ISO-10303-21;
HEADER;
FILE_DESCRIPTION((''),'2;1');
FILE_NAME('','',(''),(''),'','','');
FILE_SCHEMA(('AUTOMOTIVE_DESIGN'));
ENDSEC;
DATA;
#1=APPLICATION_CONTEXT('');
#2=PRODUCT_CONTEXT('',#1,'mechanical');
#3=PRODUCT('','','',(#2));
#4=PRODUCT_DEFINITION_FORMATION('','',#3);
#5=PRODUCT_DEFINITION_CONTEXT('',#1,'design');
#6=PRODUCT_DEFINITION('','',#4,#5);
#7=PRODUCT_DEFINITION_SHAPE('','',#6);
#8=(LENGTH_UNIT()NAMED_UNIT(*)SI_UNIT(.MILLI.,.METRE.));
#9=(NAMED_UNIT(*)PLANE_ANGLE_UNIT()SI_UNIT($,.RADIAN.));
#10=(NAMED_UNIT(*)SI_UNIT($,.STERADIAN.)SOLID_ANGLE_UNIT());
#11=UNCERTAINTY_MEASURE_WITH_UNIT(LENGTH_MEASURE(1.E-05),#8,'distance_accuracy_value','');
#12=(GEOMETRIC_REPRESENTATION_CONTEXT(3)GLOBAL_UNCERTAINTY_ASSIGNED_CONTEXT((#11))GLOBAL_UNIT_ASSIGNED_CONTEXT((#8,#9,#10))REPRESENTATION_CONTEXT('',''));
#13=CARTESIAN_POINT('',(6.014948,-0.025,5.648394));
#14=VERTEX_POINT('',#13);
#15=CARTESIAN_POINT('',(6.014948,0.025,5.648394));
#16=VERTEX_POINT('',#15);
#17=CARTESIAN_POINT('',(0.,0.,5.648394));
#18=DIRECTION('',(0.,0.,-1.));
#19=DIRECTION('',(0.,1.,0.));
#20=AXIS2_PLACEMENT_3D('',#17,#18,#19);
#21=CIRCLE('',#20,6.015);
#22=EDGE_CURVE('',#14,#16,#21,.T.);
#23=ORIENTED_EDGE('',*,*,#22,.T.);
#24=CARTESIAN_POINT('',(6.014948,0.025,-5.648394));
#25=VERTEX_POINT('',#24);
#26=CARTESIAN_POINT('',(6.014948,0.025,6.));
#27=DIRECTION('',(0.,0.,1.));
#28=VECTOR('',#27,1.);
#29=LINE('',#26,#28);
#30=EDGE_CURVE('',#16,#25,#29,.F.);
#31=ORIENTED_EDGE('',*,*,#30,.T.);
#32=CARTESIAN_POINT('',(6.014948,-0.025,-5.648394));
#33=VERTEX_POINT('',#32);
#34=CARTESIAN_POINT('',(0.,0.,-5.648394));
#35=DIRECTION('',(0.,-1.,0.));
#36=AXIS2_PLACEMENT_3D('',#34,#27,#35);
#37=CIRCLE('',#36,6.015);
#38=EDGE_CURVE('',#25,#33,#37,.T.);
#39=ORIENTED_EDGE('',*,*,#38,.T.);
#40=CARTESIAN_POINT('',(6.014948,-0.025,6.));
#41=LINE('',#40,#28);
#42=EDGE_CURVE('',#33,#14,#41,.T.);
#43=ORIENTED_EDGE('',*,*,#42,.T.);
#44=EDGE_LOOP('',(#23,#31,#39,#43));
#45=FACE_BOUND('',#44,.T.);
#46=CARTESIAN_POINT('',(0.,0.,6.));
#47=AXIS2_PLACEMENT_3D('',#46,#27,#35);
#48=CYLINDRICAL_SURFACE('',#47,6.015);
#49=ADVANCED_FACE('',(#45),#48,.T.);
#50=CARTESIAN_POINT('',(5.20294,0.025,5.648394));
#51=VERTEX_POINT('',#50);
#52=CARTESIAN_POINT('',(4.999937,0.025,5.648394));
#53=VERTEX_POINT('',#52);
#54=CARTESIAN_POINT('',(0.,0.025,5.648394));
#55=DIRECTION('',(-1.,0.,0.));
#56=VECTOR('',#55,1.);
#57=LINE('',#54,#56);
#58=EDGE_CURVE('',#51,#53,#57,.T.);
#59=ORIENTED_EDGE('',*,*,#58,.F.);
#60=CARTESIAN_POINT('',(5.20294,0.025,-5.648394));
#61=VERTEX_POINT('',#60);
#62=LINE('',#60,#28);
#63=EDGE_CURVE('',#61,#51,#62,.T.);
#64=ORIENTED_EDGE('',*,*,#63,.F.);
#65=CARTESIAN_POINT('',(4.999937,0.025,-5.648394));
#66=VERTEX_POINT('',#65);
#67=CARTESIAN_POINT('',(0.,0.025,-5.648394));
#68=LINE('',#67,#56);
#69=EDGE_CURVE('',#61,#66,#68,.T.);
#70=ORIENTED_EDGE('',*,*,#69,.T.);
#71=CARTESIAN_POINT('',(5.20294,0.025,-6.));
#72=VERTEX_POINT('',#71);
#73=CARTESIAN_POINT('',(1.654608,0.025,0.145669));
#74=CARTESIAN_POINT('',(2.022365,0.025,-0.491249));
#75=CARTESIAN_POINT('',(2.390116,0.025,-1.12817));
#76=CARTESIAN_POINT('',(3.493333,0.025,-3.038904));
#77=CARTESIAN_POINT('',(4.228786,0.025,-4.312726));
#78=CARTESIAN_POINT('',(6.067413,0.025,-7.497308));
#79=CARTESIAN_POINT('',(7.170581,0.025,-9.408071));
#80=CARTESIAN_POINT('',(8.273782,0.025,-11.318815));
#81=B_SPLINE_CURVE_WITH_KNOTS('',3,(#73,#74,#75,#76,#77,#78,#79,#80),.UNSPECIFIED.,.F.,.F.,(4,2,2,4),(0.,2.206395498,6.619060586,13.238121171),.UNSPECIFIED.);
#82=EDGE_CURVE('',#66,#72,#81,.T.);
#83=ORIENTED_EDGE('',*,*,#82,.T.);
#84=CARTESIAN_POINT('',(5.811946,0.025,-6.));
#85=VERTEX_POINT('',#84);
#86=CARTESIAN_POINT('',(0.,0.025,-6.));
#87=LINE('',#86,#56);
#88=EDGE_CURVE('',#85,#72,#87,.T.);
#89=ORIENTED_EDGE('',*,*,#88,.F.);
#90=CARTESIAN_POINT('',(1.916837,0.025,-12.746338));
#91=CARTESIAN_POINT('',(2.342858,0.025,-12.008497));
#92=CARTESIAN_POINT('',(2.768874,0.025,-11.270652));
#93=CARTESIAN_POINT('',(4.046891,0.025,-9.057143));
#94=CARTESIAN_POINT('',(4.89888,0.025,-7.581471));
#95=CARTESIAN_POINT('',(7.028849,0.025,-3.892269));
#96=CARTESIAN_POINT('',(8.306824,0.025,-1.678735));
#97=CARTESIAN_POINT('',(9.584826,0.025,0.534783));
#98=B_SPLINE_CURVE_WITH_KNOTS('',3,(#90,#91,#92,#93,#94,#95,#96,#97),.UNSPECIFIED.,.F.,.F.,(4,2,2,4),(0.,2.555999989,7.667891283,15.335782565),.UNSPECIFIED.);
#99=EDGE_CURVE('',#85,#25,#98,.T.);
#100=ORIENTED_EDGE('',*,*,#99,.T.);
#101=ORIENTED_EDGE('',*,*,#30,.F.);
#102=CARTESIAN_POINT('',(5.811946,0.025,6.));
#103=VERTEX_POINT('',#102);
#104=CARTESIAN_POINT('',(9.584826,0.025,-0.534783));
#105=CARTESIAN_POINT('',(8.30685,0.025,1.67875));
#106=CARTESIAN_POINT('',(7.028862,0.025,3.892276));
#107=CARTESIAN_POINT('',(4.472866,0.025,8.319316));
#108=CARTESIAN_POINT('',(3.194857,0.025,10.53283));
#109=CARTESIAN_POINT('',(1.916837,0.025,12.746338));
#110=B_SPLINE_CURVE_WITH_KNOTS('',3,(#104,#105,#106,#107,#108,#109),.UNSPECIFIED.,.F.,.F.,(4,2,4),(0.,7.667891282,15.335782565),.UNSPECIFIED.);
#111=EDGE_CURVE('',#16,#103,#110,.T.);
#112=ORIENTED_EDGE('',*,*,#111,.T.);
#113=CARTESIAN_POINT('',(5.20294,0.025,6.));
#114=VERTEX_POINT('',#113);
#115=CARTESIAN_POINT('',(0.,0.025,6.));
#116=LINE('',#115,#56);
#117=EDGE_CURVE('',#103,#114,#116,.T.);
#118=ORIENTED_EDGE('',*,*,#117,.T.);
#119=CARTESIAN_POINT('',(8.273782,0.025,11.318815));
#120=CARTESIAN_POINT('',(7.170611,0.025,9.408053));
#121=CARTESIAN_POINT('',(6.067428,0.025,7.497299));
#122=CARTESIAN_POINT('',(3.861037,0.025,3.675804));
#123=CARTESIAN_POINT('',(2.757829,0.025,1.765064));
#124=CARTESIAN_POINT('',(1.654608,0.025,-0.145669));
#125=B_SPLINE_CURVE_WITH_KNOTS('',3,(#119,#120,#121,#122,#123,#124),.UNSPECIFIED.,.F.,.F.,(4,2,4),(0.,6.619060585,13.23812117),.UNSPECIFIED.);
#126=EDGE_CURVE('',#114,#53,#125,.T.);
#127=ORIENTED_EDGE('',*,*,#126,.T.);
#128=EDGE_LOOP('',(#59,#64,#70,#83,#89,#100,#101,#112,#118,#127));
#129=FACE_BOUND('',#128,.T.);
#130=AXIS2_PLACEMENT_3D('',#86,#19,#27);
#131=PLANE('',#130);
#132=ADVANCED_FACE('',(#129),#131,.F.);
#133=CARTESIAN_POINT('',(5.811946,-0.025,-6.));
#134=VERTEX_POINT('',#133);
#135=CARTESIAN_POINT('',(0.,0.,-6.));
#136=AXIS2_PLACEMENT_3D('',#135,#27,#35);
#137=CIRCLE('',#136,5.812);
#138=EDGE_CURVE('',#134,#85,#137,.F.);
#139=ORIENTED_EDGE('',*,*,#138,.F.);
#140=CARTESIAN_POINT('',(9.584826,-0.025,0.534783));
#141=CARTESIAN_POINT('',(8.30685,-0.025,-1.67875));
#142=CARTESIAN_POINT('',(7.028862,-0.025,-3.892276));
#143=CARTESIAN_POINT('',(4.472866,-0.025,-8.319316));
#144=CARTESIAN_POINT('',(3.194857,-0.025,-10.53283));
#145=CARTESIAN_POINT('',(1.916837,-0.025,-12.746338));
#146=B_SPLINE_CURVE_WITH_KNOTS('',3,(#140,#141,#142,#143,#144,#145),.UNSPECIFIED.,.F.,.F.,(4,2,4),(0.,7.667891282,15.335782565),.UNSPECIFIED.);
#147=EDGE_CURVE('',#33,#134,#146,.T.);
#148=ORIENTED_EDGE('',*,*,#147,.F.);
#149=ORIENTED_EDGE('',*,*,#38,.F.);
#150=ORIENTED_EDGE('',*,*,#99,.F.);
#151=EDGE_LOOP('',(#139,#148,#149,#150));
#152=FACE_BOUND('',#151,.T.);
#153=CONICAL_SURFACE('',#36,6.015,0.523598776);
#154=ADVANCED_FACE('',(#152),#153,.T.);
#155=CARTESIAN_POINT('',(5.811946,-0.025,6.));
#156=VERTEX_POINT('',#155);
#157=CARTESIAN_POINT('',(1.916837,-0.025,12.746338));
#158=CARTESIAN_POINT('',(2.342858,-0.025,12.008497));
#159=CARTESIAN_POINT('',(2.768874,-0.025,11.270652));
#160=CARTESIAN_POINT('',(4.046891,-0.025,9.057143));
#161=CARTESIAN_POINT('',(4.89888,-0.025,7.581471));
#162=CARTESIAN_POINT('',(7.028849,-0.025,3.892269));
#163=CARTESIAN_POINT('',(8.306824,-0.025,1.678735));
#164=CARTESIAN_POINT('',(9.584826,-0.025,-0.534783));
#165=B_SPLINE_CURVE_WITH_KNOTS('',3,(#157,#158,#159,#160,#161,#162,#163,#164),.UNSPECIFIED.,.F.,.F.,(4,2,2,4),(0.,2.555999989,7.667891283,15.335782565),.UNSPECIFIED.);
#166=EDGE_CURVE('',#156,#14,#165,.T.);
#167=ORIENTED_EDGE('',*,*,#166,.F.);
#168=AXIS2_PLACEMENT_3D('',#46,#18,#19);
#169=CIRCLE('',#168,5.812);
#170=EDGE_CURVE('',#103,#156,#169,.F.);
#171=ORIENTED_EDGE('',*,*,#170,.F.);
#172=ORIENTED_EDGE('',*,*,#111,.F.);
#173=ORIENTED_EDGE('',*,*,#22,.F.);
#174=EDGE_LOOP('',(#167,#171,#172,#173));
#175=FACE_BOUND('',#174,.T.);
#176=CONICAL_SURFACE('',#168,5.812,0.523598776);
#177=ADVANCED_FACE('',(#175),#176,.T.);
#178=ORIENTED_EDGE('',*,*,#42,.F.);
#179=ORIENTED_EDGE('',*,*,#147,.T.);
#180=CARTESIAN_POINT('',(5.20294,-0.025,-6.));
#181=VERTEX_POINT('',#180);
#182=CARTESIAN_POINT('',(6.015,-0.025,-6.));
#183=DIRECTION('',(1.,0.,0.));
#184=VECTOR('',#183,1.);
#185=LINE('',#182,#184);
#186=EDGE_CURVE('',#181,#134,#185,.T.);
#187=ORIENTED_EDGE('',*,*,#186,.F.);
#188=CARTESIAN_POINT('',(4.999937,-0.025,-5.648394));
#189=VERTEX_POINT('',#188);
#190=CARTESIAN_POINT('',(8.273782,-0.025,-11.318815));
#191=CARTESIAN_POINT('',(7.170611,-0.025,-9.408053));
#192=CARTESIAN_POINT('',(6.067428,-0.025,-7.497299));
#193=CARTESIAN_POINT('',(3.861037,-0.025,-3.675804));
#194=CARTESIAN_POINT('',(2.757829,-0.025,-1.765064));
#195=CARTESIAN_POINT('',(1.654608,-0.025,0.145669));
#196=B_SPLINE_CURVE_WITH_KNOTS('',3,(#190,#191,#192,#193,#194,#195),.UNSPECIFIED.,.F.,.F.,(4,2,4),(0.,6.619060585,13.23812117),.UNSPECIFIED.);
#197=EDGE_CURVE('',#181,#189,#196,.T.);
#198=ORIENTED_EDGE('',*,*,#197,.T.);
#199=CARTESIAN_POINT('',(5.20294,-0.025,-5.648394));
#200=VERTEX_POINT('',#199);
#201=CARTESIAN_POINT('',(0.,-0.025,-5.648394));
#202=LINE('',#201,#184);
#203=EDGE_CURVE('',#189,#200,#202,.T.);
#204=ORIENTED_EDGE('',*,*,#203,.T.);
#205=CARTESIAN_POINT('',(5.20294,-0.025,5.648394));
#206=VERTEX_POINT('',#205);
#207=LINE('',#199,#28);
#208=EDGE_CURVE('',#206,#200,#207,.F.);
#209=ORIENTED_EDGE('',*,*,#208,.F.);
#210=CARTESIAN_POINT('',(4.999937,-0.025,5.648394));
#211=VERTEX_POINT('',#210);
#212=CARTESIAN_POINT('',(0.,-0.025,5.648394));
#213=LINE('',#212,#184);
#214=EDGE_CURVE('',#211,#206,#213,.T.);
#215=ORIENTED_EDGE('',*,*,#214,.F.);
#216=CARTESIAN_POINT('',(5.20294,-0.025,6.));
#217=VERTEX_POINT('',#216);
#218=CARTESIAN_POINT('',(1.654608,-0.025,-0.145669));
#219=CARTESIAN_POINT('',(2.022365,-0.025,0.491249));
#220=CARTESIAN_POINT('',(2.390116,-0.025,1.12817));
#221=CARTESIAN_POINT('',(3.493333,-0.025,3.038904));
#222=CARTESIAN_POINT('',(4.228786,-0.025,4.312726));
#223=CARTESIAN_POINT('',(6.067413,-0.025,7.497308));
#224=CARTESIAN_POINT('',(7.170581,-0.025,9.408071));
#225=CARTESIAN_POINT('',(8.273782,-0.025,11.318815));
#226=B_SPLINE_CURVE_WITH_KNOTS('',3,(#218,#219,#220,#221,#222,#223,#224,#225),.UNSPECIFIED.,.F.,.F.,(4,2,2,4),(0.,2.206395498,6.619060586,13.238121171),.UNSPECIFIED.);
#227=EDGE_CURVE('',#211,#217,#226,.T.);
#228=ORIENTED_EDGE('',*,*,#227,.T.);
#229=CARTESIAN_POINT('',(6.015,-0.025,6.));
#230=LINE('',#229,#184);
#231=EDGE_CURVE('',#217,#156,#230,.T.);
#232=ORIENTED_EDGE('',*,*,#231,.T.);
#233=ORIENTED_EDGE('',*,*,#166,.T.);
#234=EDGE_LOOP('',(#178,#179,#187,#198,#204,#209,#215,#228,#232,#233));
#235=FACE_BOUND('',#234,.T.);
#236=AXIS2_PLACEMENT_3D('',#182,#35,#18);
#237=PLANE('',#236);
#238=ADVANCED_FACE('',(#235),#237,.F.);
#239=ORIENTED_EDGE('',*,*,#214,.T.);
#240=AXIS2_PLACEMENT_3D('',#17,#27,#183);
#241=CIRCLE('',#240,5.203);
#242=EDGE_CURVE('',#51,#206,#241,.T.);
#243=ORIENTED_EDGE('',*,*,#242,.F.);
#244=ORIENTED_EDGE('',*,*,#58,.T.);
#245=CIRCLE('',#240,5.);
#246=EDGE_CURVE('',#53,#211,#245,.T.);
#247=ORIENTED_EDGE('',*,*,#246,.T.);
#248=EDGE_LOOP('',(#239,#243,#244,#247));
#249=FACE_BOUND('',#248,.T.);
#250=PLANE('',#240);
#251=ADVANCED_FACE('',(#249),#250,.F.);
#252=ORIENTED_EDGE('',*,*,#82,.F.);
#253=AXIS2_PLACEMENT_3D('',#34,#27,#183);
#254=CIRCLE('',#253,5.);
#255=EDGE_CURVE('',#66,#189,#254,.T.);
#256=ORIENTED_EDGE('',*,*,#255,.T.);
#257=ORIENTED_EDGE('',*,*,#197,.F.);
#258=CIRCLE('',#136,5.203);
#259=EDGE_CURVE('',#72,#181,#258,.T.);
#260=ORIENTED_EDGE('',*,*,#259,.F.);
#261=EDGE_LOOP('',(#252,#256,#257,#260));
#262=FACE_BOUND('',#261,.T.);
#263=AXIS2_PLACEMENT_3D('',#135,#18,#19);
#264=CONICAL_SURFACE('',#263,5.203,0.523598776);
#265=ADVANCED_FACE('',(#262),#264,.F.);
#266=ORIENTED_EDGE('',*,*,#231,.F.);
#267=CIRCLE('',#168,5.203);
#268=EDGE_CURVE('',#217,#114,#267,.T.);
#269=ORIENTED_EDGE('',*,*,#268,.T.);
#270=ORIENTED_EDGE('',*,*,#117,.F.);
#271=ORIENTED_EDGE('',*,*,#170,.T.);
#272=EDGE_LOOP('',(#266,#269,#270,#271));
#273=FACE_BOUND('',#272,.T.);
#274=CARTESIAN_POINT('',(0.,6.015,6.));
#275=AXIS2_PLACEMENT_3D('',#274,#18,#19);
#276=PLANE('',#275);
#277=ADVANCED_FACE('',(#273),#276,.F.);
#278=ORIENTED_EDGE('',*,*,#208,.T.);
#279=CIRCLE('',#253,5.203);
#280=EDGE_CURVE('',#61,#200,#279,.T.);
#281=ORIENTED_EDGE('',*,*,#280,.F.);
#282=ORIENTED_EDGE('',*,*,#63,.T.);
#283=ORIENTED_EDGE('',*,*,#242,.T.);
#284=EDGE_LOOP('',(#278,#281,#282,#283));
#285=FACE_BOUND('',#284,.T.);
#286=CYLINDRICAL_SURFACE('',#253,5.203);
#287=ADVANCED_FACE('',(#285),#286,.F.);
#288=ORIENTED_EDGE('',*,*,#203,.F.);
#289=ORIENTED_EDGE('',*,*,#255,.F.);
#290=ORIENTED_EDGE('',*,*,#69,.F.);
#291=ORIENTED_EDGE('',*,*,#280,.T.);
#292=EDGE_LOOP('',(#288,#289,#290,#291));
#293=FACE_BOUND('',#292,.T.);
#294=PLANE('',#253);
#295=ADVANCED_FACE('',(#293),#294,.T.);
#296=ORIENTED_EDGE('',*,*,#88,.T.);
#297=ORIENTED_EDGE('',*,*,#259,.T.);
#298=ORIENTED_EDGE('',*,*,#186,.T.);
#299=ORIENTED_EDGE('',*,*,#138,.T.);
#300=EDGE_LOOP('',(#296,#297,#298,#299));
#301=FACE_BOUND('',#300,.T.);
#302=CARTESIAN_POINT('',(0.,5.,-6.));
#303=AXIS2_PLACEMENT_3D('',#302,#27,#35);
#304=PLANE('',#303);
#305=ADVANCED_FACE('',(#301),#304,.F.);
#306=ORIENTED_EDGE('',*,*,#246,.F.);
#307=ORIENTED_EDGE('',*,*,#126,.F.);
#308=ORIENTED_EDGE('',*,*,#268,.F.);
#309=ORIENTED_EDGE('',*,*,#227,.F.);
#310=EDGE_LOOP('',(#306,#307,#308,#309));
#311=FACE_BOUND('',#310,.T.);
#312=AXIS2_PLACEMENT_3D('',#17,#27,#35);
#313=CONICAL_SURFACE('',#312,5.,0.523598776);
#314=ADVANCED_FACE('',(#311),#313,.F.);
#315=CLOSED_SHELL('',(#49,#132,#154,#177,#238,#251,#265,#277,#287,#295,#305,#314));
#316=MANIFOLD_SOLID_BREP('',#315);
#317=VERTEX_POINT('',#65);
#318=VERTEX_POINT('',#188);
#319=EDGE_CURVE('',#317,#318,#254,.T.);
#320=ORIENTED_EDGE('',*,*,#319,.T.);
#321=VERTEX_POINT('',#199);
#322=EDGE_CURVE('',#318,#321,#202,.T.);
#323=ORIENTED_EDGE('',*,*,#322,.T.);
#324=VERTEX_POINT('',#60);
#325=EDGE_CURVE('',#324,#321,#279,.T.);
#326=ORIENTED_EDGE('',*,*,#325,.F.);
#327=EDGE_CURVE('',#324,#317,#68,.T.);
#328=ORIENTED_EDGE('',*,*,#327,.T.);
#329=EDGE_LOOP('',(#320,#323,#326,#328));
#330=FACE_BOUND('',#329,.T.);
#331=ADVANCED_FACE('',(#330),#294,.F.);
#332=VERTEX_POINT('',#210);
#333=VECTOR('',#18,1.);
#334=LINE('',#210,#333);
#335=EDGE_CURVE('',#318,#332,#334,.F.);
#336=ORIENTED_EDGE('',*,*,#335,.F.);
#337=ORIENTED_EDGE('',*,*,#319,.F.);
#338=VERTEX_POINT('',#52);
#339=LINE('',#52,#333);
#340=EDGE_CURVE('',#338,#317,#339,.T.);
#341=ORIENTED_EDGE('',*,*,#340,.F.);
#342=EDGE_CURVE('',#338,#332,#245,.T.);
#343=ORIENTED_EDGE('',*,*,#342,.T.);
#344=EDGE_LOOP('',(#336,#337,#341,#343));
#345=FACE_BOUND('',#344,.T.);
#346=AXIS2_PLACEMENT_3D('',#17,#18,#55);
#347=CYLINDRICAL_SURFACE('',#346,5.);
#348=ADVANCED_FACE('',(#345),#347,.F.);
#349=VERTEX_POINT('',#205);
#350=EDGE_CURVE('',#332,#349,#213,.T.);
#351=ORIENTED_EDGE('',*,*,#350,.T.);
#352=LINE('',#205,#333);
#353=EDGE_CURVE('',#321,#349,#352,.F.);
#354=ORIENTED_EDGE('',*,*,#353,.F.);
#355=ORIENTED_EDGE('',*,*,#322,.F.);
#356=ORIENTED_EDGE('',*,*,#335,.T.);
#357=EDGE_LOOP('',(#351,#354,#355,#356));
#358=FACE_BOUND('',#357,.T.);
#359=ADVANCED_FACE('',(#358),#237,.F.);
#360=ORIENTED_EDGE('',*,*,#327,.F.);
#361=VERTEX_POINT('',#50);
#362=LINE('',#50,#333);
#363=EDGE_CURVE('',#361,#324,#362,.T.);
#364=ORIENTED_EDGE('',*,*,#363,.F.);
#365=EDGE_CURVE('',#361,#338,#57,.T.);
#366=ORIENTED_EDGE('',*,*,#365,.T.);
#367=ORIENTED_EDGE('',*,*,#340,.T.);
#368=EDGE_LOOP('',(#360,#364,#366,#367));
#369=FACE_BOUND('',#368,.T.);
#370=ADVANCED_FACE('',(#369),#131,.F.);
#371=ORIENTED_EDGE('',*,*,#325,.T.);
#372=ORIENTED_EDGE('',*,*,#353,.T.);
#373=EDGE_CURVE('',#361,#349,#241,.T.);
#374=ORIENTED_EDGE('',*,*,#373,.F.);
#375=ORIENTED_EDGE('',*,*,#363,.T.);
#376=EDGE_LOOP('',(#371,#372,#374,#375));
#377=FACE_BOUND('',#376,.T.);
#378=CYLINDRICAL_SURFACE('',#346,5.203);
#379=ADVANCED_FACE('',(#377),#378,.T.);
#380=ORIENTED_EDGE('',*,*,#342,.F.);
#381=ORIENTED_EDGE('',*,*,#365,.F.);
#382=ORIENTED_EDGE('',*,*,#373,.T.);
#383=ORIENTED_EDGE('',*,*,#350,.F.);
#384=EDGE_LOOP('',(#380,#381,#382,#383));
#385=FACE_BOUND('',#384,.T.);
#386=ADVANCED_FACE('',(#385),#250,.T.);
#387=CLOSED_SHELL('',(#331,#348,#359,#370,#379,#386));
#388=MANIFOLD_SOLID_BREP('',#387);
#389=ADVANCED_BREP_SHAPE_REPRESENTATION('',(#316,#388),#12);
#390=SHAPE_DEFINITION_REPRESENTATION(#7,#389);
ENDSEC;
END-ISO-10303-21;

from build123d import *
from OCP.BRepFilletAPI import BRepFilletAPI_MakeChamfer

# Parameters (mm, degrees)
SKETCH3_W                = 12
SKETCH3_H                = 1.015
CHAMFER1_SIZE            = 0.203
CHAMFER1_SIZE2           = 0.351606314
CHAMFER2_SIZE            = 0.203
CHAMFER2_SIZE2           = 0.351606314
CUT_EXTRUDE1_DEPTH       = 5.648394
CUT_EXTRUDE1_DEPTH_BACK  = 5.648394
SKETCH5_R                = 5.203
BOSS_EXTRUDE1_DEPTH      = 5.648394
BOSS_EXTRUDE1_DEPTH_BACK = 5.648394
SKETCH6_R                = 5.203
SKETCH6_R_2              = 5
CUT_EXTRUDE2_DEPTH       = 11.409632558
CUT_EXTRUDE2_DEPTH_BACK  = 11.409632558
SKETCH7_W                = 6.015
SKETCH7_H                = 0.05


with BuildPart() as part:
    # Sketch3 → Revolve1 (revolve)
    with BuildSketch(Plane(origin=(0, 0, 0), x_dir=(0, 0, -1), z_dir=(1, 0, 0)), mode=Mode.PRIVATE) as revolve1_sk:
        with Locations((0, 5.5075)):
            Rectangle(SKETCH3_W, SKETCH3_H)
    revolve(revolve1_sk.sketch.rotate(Axis((0, 0, 6), (0, 0, -1)), 180), axis=Axis((0, 0, 6), (0, 0, -1)))

    # Chamfer1: one chamfer whose edges measure the first distance from different faces: ONE call of the kernel's chamfer builder (chamfer() names one face for all edges)
    chamfer1_edges_1 = [part.edges().sort_by_distance(p)[0] for p in [
        (0, 6.015, -6),
    ]]
    chamfer1_side_1 = [part.faces().sort_by_distance(p)[0] for p in [
        (0, 5.170129892, -6),
    ]]
    chamfer1_edges_2 = [part.edges().sort_by_distance(p)[0] for p in [
        (0, 5, 6),
    ]]
    chamfer1_side_2 = [part.faces().sort_by_distance(p)[0] for p in [
        (0, 5.844870108, 6),
    ]]
    chamfer1 = BRepFilletAPI_MakeChamfer(part.part.solid().wrapped)
    for e in chamfer1_edges_1:
        chamfer1.Add(CHAMFER1_SIZE, CHAMFER1_SIZE2, e.wrapped, chamfer1_side_1[0].wrapped)  # the first distance lies on this face
    for e in chamfer1_edges_2:
        chamfer1.Add(CHAMFER1_SIZE, CHAMFER1_SIZE2, e.wrapped, chamfer1_side_2[0].wrapped)  # the first distance lies on this face
    add(Compound.cast(chamfer1.Shape()), mode=Mode.REPLACE)

    # Chamfer2: one chamfer whose edges measure the first distance from different faces: ONE call of the kernel's chamfer builder (chamfer() names one face for all edges)
    chamfer2_edges_1 = [part.edges().sort_by_distance(p)[0] for p in [
        (0, 6.015, 6),
    ]]
    chamfer2_side_1 = [part.faces().sort_by_distance(p)[0] for p in [
        (0, 5.373129892, 6),
    ]]
    chamfer2_edges_2 = [part.edges().sort_by_distance(p)[0] for p in [
        (0, 5, -6),
    ]]
    chamfer2_side_2 = [part.faces().sort_by_distance(p)[0] for p in [
        (0, 5.647611816, -6),
    ]]
    chamfer2 = BRepFilletAPI_MakeChamfer(part.part.solid().wrapped)
    for e in chamfer2_edges_1:
        chamfer2.Add(CHAMFER2_SIZE, CHAMFER2_SIZE2, e.wrapped, chamfer2_side_1[0].wrapped)  # the first distance lies on this face
    for e in chamfer2_edges_2:
        chamfer2.Add(CHAMFER2_SIZE, CHAMFER2_SIZE2, e.wrapped, chamfer2_side_2[0].wrapped)  # the first distance lies on this face
    add(Compound.cast(chamfer2.Shape()), mode=Mode.REPLACE)

    # Sketch5 → Cut-Extrude1 (cut, two sides: drawn at the far end of the back side and taken through both)
    with BuildSketch(Plane.XY.offset(-CUT_EXTRUDE1_DEPTH_BACK)):
        Circle(SKETCH5_R)
    extrude(amount=CUT_EXTRUDE1_DEPTH + CUT_EXTRUDE1_DEPTH_BACK, mode=Mode.SUBTRACT)


with BuildPart() as body_2:
    # Sketch6 → Boss-Extrude1 (new, two sides: drawn at the far end of the back side and taken through both)
    with BuildSketch(Plane.XY.offset(-BOSS_EXTRUDE1_DEPTH_BACK)):
        with Locations(Location((0, 0, 0), (0, 0, 180))):
            Circle(SKETCH6_R)
        with Locations(Location((0, 0, 0), (0, 0, 180))):
            Circle(SKETCH6_R_2, mode=Mode.SUBTRACT)
    extrude(amount=BOSS_EXTRUDE1_DEPTH + BOSS_EXTRUDE1_DEPTH_BACK)


with BuildPart() as cut_extrude2_tool:
    # Sketch7 → Cut-Extrude2 (new, two sides: drawn at the far end of the back side and taken through both)
    with BuildSketch(Plane.XY.offset(-CUT_EXTRUDE2_DEPTH_BACK)):
        with Locations((3.0075, 0)):
            Rectangle(SKETCH7_W, SKETCH7_H)
    extrude(amount=CUT_EXTRUDE2_DEPTH + CUT_EXTRUDE2_DEPTH_BACK)


with BuildPart() as part_1:
    add(part.part)

    # Cut-Extrude2: cut by cut_extrude2_tool
    add(cut_extrude2_tool.part, mode=Mode.SUBTRACT)


with BuildPart() as body_2_1:
    add(body_2.part)

    # Cut-Extrude2: cut by cut_extrude2_tool
    add(cut_extrude2_tool.part, mode=Mode.SUBTRACT)


solid = Compound([part_1.part, body_2_1.part])
